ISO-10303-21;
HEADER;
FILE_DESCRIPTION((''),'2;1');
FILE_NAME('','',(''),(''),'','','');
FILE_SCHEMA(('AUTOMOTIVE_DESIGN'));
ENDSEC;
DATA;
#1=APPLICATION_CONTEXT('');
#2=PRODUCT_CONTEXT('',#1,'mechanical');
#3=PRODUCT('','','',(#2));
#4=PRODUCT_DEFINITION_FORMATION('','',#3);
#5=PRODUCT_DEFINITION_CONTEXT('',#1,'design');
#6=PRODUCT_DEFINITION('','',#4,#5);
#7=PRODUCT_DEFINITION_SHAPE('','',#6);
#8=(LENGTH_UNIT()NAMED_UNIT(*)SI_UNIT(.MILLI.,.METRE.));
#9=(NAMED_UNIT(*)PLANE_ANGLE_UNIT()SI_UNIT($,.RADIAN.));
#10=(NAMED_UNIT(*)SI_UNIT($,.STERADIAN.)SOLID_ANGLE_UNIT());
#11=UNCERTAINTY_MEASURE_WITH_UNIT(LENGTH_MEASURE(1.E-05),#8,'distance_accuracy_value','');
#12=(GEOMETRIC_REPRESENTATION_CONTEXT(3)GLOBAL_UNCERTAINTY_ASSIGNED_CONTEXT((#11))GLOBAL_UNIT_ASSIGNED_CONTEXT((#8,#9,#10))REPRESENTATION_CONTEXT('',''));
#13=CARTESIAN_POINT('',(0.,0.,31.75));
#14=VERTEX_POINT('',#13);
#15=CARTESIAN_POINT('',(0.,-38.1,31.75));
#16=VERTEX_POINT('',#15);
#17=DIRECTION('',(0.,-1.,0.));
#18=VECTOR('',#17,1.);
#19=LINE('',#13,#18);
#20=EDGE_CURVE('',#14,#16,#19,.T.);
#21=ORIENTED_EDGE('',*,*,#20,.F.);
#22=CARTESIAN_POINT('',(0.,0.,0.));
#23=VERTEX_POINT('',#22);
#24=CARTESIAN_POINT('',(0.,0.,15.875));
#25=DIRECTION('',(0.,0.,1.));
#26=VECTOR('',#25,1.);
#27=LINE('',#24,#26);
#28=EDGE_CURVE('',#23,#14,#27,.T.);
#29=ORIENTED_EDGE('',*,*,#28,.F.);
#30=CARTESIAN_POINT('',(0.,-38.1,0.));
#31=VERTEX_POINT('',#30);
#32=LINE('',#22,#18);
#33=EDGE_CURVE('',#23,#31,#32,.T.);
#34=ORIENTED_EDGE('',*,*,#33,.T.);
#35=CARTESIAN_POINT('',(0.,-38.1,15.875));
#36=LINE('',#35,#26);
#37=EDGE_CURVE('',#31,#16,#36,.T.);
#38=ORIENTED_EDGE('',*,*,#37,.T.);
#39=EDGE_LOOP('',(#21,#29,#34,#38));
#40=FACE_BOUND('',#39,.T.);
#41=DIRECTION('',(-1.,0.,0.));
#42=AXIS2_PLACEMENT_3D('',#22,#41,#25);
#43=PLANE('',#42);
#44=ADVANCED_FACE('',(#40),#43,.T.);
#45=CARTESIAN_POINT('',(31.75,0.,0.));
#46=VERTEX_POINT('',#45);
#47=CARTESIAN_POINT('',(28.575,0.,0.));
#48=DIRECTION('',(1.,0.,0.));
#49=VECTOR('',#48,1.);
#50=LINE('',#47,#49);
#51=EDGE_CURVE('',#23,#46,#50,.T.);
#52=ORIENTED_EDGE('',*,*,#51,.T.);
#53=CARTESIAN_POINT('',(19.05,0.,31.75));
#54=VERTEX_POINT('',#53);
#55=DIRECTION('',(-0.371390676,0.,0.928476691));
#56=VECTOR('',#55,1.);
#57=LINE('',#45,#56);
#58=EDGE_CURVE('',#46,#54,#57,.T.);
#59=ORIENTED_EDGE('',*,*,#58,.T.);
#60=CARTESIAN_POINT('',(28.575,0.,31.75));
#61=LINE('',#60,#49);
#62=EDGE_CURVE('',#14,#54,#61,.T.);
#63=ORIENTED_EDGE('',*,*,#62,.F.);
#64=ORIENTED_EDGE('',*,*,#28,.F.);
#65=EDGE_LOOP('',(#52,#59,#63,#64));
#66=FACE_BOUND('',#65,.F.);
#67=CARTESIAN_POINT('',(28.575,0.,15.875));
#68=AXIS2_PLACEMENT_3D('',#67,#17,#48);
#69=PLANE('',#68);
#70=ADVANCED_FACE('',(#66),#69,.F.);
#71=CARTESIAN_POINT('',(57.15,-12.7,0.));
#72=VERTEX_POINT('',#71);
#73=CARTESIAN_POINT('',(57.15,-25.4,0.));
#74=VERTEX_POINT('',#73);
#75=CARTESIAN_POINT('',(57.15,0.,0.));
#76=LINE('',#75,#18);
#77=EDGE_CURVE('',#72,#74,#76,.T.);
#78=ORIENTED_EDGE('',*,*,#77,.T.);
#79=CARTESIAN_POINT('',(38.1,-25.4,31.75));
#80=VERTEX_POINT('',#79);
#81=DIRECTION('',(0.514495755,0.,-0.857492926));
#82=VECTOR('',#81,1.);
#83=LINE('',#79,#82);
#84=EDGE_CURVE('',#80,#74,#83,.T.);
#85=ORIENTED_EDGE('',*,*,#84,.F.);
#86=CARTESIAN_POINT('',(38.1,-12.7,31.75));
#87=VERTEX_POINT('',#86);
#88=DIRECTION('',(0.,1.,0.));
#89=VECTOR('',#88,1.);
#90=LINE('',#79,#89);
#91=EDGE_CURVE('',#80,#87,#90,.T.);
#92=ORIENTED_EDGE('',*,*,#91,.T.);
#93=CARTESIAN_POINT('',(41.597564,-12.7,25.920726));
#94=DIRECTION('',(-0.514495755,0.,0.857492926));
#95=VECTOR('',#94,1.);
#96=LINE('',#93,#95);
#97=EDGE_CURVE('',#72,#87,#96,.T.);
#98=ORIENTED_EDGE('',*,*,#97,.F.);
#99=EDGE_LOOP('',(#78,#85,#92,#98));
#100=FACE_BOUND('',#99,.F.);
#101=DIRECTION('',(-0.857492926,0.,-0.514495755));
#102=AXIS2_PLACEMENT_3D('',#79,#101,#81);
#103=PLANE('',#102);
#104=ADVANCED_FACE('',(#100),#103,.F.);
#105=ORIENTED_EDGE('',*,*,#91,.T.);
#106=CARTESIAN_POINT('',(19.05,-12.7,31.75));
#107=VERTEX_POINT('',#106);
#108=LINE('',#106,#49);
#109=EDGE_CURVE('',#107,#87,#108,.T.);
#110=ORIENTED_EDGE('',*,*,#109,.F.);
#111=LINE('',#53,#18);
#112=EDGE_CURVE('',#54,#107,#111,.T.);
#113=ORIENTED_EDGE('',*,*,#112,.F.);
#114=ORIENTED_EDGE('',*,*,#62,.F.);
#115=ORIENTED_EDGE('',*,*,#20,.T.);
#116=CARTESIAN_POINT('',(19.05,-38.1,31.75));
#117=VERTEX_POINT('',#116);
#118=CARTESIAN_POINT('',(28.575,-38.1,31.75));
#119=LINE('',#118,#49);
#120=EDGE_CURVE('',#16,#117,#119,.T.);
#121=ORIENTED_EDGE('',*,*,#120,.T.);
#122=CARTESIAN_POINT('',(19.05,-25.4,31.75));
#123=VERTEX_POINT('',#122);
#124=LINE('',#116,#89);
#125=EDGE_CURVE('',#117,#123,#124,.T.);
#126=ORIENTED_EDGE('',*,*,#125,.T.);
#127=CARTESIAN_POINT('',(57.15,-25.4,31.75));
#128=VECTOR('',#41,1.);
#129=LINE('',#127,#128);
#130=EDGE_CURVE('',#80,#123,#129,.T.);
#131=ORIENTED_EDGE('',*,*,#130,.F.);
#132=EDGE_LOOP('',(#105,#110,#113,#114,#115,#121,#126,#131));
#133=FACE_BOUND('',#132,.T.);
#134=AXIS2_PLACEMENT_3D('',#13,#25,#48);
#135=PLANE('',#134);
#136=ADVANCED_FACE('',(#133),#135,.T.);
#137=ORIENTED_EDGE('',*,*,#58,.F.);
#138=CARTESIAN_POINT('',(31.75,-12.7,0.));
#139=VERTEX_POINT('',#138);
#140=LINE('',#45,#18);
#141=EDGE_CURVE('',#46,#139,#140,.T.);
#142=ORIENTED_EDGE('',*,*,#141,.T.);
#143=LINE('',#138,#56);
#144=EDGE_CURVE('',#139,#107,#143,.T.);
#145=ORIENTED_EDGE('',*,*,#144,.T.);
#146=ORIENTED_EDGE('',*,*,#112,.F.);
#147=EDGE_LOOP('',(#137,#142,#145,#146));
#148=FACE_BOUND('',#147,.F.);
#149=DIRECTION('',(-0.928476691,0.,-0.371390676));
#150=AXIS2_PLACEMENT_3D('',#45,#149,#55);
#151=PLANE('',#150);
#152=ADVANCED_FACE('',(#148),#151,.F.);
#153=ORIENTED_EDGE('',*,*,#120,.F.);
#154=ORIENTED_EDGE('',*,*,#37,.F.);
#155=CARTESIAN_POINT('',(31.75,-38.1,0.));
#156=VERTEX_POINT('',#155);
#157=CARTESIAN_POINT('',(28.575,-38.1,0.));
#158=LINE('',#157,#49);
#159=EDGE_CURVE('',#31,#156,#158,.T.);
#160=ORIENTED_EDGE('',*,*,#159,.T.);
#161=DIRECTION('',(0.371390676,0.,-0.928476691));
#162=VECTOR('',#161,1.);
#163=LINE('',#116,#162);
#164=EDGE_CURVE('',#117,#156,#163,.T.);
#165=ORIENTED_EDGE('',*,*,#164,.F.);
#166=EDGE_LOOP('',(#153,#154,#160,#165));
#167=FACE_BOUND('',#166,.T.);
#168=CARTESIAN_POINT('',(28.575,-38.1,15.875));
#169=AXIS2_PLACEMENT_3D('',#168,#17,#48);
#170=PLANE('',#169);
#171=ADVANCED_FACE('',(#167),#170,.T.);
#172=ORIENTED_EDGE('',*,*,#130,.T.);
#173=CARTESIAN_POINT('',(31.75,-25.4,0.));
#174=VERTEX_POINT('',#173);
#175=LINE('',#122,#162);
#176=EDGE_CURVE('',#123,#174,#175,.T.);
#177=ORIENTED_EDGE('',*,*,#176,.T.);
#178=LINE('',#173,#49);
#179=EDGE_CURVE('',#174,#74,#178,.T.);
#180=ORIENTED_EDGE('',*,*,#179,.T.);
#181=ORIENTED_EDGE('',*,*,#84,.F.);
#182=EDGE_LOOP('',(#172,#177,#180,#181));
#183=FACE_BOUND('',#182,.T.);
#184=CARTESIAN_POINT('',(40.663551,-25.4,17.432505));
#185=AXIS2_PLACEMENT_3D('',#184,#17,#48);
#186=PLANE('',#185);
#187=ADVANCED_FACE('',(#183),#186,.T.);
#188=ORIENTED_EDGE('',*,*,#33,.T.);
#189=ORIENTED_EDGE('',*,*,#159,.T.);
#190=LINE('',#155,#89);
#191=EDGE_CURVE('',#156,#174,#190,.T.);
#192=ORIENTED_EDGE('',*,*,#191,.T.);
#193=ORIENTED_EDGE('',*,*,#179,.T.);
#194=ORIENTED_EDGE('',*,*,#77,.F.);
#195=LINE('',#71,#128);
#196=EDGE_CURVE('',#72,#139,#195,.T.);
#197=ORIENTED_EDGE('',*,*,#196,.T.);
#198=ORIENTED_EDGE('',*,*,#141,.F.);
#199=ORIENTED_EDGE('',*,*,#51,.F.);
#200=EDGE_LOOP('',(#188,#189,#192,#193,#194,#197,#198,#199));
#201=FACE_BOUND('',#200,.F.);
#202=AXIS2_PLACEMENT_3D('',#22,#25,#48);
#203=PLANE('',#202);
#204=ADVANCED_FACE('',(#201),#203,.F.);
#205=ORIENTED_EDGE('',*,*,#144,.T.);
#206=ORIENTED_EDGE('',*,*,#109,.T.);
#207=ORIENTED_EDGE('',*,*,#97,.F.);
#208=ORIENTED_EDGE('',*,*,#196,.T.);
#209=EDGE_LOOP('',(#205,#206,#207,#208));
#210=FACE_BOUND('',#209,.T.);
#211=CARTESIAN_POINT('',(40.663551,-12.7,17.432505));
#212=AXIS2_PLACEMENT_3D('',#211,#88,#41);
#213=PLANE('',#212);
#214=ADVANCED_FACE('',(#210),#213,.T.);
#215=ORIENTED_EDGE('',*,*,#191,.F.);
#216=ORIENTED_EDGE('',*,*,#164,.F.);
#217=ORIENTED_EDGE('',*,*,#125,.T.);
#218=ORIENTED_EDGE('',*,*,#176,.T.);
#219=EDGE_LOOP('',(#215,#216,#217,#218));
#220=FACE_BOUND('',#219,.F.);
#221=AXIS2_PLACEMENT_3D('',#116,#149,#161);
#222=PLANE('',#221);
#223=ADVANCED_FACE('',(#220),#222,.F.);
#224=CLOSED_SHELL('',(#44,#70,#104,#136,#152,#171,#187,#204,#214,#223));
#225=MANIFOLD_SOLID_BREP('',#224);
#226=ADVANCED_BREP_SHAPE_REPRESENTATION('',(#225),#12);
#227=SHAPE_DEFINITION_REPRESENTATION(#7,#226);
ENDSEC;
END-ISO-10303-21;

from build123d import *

# Parameters (mm, degrees)
F0_W     = 57.15
F0_H     = 31.75
F1_DEPTH = 38.1
F3_DEPTH = 12.7
F5_DEPTH = 12.7
F7_DEPTH = 25.401


with BuildPart() as f1:
    # F0 (on Front) → F1 (new body)
    with BuildSketch(Plane.XZ):
        with Locations((28.575, 15.875)):
            Rectangle(F0_W, F0_H)
    extrude(amount=F1_DEPTH)

    # F2 (on face) → F3 (cut)
    with BuildSketch(Plane.XZ.offset(38.1)):
        Polygon((57.15, 31.75), (19.05, 31.75), (31.75, 0), (57.15, 0), align=None)
    extrude(amount=-F3_DEPTH, mode=Mode.SUBTRACT)

    # F4 (on face) → F5 (cut)
    with BuildSketch(Plane(origin=(0, 0, 0), x_dir=(-1, 0, 0), z_dir=(0, 1, 0))):
        Polygon((-31.75, 0), (-19.05, 31.75), (-57.15, 31.75), (-57.15, 0), align=None)
    extrude(amount=-F5_DEPTH, mode=Mode.SUBTRACT)

    # F6 (on face) → F7 (cut, through all)
    with BuildSketch(Plane.XZ.offset(25.4)):
        Polygon((38.1, 31.75), (57.15, 0), (57.15, 31.75), align=None)
    extrude(amount=-F7_DEPTH, mode=Mode.SUBTRACT)


solid = f1.part
